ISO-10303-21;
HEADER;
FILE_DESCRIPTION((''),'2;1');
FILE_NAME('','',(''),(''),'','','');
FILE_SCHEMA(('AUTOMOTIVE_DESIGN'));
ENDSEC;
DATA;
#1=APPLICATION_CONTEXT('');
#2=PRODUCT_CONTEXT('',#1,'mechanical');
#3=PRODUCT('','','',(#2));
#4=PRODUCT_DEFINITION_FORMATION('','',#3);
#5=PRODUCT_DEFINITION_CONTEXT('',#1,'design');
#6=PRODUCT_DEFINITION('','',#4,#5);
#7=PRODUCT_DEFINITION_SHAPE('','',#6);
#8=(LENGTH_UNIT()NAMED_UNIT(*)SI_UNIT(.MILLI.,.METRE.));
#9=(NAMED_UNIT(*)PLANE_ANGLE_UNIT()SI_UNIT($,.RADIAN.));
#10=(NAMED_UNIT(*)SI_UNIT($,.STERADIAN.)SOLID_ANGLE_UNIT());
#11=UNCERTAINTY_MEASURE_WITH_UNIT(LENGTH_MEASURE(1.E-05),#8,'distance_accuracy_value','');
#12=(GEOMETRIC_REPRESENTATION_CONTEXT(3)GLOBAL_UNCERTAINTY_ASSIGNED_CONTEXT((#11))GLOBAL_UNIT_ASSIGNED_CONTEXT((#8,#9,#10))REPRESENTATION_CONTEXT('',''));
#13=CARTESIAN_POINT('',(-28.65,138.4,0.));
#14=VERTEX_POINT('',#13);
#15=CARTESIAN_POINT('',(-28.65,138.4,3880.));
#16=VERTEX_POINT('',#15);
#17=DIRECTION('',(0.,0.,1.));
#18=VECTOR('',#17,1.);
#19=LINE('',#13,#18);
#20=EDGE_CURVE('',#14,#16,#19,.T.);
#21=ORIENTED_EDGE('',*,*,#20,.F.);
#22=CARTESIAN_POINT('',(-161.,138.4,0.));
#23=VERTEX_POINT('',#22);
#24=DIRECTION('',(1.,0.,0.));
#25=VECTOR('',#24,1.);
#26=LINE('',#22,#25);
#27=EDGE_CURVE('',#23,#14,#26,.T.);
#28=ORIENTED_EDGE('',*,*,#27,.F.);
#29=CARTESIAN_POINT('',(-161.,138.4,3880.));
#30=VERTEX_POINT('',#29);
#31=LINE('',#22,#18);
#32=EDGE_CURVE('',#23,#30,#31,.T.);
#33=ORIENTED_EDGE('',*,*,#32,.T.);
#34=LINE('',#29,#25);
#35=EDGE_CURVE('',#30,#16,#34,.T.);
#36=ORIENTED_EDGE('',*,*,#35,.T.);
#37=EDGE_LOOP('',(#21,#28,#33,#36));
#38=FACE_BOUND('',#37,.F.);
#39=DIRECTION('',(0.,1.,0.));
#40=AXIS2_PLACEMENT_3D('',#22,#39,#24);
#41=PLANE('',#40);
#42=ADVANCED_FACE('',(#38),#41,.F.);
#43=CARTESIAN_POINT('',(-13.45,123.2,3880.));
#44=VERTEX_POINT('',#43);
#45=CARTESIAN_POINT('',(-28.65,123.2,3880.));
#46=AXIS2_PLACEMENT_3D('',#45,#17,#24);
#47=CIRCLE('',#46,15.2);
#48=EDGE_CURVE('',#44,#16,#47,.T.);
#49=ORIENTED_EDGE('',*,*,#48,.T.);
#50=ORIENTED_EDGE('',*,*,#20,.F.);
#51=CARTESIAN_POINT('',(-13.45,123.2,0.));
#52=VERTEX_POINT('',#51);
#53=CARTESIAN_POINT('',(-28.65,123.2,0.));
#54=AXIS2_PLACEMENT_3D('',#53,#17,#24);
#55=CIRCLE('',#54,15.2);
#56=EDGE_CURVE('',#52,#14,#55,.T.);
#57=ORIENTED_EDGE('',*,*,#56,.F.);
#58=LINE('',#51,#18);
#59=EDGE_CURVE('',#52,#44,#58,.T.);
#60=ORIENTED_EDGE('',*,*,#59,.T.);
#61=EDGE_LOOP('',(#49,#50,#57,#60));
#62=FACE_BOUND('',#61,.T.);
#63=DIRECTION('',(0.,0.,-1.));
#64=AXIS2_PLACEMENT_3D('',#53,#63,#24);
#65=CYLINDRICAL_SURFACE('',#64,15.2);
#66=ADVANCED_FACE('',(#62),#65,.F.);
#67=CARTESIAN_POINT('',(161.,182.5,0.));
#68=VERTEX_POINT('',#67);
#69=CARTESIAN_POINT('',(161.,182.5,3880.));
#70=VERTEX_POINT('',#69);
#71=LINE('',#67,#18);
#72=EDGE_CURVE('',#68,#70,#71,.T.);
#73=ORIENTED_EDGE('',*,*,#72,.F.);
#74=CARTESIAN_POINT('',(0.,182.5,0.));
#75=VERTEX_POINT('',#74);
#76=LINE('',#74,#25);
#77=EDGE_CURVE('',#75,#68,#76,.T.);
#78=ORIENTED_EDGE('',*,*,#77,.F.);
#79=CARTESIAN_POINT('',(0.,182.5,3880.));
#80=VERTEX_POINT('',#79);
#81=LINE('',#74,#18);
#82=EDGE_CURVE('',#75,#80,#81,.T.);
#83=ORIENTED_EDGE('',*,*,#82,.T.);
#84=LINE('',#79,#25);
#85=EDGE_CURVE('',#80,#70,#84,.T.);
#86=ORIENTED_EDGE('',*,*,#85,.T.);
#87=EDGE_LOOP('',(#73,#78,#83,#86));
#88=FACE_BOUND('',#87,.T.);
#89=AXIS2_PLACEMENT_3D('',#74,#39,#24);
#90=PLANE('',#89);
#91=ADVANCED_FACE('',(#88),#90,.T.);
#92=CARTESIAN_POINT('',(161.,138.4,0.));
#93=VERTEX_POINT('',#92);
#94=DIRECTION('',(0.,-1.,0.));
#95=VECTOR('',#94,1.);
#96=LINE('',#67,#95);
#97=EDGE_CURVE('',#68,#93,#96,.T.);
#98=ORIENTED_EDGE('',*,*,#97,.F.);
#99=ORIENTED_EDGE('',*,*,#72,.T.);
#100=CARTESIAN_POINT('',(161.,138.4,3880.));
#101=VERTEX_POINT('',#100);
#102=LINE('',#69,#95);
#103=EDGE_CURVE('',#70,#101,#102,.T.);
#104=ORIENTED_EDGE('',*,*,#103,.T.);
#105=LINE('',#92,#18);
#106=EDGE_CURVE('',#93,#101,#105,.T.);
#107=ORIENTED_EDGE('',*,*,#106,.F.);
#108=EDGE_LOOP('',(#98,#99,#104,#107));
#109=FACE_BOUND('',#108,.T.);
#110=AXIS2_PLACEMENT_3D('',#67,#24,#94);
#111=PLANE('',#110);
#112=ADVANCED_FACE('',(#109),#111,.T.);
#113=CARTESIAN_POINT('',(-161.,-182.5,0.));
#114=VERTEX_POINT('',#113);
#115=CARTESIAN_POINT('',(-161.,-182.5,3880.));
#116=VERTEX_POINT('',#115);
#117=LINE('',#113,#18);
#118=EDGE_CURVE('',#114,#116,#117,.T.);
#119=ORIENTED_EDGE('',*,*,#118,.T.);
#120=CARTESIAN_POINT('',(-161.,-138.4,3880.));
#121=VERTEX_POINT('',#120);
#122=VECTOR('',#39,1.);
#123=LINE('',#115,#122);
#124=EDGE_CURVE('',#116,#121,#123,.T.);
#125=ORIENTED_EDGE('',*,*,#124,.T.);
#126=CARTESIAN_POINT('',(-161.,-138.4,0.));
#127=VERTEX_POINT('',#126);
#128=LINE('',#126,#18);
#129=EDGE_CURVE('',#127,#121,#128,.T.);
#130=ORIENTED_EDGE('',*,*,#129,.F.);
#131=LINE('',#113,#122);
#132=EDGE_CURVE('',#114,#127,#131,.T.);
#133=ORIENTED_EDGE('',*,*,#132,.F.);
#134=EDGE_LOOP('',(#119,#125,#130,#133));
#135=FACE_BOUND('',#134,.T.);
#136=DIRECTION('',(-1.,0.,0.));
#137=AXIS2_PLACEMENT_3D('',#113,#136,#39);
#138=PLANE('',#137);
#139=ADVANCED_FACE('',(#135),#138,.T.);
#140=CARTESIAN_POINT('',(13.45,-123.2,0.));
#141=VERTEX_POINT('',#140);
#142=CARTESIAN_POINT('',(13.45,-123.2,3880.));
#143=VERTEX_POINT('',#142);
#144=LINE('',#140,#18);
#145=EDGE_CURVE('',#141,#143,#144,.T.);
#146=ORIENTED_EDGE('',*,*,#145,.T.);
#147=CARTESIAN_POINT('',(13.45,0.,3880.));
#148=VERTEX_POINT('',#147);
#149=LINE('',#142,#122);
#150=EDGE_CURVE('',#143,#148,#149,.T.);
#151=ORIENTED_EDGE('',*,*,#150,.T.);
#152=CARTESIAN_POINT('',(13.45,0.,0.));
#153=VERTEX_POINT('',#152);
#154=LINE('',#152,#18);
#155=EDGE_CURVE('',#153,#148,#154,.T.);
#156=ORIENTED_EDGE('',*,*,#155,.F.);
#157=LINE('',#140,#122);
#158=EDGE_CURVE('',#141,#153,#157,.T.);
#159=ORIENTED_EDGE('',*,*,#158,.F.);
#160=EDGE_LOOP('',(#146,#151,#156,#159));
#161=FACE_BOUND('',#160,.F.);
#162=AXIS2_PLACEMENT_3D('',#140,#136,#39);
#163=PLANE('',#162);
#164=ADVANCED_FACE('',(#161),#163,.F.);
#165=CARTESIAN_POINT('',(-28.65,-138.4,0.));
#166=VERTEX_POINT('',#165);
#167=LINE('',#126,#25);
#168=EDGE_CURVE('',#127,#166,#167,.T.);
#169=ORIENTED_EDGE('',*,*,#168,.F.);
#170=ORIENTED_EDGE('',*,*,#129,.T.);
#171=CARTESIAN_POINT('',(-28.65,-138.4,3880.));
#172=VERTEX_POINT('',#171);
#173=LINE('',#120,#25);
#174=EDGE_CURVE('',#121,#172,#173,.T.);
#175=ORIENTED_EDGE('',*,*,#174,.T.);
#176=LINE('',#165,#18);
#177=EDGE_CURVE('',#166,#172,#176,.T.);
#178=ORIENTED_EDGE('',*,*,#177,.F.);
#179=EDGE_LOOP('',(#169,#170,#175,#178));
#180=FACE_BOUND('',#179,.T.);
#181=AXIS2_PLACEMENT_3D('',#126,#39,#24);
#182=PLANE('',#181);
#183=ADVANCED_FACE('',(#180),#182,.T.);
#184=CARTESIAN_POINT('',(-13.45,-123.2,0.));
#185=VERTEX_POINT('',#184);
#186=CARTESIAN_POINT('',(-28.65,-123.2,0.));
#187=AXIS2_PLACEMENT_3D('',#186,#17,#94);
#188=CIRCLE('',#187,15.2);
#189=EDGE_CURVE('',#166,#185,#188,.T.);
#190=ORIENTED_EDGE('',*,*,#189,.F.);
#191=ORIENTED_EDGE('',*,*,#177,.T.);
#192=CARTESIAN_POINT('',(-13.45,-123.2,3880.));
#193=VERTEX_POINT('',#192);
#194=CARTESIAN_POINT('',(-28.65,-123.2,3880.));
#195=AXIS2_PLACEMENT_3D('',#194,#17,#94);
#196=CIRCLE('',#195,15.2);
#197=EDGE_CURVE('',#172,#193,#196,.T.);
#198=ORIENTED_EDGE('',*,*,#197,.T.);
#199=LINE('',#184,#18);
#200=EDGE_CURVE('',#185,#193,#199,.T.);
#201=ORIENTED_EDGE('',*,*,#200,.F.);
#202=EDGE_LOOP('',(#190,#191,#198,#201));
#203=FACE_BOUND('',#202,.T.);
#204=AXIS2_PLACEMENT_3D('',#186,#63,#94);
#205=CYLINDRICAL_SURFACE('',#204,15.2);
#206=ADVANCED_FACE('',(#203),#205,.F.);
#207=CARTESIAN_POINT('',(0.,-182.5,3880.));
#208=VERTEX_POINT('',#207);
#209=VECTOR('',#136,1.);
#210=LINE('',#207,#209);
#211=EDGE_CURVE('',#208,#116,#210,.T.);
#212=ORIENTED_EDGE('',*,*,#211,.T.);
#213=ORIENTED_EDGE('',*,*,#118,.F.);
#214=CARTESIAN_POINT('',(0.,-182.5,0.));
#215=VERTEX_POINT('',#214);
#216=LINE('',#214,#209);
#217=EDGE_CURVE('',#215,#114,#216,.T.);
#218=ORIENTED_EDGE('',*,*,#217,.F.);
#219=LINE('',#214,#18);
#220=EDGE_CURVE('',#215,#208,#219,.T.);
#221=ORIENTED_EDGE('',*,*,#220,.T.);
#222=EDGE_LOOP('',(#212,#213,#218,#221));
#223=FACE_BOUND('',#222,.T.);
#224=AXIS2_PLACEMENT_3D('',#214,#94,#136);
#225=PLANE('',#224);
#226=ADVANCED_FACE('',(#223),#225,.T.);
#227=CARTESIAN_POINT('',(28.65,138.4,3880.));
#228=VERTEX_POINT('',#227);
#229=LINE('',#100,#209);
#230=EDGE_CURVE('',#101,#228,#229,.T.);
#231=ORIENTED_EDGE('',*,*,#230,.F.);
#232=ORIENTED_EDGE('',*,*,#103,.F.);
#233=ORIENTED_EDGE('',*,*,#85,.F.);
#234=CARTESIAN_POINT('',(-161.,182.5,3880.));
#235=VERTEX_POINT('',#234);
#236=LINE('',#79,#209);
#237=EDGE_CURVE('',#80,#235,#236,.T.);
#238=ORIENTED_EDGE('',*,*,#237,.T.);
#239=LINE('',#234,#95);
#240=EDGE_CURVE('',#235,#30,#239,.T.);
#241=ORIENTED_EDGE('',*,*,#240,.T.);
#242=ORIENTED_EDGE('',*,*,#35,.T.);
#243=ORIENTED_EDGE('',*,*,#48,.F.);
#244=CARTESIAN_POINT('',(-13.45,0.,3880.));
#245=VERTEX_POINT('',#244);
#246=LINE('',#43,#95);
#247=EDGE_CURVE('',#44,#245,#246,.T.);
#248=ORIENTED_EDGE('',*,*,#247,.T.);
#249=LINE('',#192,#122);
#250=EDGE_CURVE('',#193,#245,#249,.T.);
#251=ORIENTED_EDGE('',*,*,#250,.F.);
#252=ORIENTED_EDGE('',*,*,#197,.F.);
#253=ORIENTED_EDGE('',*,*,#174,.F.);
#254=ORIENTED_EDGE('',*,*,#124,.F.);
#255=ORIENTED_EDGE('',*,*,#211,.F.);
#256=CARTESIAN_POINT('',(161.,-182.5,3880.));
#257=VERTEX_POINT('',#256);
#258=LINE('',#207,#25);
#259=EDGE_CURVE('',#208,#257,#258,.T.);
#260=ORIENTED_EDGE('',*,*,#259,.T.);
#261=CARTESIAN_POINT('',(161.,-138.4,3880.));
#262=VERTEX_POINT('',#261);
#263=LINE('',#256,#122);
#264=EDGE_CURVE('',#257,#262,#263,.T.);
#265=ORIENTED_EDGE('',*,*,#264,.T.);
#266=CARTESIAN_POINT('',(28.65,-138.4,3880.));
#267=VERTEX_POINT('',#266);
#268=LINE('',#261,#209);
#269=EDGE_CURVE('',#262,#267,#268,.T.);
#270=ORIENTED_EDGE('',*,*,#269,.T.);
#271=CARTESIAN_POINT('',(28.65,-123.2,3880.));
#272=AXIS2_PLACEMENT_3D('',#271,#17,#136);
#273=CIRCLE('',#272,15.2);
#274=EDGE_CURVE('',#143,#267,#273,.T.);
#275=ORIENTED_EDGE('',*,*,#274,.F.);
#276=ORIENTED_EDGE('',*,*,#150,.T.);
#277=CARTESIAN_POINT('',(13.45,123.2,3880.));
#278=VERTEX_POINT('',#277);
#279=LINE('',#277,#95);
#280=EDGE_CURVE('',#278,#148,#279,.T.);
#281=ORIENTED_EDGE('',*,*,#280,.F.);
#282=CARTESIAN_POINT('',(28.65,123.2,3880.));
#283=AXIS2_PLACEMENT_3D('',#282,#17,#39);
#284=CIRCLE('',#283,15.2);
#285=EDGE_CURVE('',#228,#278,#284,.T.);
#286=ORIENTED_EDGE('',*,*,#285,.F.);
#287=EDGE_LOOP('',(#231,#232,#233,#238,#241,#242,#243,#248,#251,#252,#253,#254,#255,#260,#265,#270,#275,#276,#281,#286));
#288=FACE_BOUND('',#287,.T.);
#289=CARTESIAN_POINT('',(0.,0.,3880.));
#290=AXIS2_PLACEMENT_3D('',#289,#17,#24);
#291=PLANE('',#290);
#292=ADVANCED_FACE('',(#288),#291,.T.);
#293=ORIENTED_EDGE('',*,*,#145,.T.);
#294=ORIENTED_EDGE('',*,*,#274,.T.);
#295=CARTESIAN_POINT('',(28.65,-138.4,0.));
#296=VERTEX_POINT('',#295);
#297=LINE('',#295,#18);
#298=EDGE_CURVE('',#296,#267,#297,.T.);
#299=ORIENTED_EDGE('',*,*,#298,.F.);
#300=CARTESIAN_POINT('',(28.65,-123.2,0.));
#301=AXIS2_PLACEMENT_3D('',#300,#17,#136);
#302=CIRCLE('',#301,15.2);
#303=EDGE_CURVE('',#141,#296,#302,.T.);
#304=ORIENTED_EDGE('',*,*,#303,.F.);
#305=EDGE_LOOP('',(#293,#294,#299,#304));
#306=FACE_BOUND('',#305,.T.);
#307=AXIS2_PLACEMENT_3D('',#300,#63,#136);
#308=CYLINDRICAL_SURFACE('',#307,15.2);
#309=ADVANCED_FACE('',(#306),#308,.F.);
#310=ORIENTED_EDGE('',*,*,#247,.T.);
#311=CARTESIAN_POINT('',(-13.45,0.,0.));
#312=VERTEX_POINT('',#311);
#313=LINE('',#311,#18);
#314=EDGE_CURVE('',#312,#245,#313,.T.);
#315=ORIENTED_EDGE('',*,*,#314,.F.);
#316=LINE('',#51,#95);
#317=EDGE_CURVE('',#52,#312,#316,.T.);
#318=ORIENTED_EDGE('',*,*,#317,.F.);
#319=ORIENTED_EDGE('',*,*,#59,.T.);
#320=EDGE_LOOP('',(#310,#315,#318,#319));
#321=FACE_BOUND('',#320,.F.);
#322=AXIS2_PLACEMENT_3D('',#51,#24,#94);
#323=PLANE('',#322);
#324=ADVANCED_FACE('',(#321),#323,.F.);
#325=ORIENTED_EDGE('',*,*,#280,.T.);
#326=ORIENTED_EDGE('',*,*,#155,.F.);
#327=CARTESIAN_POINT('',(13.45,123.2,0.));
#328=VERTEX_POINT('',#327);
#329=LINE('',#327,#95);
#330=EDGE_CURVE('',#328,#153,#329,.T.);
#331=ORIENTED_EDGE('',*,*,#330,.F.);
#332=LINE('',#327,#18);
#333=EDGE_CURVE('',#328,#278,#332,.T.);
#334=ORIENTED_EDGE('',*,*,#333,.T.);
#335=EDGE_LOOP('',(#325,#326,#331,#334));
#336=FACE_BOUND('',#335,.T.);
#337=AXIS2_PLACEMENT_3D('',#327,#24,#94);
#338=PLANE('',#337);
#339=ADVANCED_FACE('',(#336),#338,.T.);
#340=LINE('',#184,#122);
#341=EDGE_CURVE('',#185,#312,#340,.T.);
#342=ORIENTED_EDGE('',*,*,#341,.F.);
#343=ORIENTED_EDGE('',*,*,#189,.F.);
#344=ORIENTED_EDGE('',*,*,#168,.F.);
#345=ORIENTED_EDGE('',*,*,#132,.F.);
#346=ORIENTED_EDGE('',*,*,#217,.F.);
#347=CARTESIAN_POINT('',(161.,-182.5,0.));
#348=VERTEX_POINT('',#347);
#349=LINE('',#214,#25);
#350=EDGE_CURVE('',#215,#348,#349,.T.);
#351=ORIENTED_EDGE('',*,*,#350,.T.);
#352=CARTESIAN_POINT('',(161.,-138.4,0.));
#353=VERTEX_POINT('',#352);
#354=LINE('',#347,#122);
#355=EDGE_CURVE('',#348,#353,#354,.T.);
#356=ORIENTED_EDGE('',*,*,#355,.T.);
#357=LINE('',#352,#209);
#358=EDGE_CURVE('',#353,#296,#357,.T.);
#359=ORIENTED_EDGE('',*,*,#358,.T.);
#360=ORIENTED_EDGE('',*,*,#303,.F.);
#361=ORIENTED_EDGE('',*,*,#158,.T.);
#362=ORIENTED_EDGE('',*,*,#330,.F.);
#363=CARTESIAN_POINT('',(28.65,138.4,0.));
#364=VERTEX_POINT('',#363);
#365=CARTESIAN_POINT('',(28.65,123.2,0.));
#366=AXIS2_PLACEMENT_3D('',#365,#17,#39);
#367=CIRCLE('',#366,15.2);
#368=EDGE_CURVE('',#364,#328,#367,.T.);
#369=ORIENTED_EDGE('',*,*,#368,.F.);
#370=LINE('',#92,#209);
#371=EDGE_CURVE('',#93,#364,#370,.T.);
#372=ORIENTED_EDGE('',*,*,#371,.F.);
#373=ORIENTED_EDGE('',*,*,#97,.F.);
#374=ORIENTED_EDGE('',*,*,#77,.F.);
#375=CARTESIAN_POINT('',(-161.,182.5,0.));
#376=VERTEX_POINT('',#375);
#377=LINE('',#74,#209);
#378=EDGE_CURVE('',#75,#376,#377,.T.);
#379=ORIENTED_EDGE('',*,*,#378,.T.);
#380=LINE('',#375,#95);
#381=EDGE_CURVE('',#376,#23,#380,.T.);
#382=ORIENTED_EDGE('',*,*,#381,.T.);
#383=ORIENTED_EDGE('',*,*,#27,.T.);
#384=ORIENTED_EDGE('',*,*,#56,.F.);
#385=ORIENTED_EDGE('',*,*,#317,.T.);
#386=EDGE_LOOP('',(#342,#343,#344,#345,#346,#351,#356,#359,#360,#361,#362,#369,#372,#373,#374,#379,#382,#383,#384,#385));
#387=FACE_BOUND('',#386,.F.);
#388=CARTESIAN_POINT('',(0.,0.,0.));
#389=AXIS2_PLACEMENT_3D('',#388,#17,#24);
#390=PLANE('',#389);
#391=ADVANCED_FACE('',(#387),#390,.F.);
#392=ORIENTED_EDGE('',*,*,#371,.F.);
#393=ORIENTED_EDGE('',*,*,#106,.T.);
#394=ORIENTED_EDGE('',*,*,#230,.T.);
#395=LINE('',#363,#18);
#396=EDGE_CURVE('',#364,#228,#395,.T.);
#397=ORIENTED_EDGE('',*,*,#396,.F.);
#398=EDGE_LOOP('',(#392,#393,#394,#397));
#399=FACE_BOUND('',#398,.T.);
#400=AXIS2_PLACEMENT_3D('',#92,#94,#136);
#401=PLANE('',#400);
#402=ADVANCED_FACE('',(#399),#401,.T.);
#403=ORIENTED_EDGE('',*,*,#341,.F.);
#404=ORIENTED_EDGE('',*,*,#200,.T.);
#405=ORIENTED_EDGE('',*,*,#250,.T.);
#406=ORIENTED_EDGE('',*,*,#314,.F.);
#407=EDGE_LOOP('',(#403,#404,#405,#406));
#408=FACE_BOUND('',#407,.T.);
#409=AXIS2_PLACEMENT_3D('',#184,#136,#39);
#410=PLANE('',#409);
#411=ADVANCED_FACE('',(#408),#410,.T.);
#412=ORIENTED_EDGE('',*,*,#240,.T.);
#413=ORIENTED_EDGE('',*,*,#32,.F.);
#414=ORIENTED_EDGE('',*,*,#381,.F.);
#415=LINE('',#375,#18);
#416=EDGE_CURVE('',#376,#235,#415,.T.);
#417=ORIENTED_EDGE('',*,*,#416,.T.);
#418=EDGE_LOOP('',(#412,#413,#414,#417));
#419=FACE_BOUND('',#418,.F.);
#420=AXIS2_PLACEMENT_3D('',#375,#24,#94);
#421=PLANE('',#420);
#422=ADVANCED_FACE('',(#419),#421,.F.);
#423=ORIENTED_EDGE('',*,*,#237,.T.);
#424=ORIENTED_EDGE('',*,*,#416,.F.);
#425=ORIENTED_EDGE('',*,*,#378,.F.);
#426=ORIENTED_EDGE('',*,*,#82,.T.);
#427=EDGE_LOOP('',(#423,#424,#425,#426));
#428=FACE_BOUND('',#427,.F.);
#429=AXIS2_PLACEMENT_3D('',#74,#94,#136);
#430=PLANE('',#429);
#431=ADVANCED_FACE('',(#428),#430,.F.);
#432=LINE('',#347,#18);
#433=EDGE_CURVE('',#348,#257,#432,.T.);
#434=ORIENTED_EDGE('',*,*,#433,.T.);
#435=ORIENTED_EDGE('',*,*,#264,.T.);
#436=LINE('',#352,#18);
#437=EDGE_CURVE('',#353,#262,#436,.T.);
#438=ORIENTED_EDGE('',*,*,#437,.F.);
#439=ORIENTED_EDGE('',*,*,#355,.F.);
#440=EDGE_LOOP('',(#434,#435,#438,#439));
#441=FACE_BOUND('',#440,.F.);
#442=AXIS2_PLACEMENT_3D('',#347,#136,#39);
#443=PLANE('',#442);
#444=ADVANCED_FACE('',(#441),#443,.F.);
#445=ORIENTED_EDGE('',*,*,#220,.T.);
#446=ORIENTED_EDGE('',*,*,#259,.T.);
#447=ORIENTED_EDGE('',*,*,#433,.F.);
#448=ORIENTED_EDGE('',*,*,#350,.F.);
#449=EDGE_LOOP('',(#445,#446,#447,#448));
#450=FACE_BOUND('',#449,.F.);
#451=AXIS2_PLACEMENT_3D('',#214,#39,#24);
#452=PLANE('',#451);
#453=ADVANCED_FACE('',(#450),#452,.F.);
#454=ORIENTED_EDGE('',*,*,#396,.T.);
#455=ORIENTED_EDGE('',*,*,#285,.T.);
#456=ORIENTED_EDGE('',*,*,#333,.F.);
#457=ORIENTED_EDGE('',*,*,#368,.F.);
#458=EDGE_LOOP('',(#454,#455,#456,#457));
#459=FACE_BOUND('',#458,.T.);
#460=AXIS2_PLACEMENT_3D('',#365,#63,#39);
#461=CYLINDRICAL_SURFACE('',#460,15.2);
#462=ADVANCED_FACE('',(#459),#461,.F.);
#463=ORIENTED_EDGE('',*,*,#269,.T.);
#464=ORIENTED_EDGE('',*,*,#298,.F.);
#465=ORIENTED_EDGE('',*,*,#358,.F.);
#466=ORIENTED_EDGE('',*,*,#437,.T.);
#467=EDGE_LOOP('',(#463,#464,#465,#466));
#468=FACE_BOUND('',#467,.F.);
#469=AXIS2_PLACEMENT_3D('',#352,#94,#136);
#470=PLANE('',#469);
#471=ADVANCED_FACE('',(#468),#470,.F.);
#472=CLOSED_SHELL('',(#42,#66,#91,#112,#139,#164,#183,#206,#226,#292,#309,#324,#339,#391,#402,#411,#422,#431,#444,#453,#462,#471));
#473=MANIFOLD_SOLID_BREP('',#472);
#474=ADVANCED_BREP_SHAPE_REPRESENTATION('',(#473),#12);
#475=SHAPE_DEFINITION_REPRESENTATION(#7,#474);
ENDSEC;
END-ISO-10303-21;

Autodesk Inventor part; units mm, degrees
ref_plane "YZ Plane" through (0, 0, 0) normal (1, 0, 0) x (0, 1, 0)
ref_plane "Start plane" through (0, 0, 0) normal (0, 0, 1) x (1, 0, 0)
ref_plane "End plane" through (0, 0, 3880) normal (0, 0, 1) x (1, 0, 0)
sketch "Sketch" plane through (0, 0, 0) normal (0, 0, 1) x (1, 0, 0)
  line L0 (-161, -182.5) -> (-161, -138.4)
  line L1 (-161, -138.4) -> (-28.65, -138.4)
  line L2 (-13.45, -123.2) -> (-13.45, 0)
  line L3 (-13.45, 0) -> (0, 0) construction
  line L4 (0, 0) -> (0, -182.5) construction
  line L5 (0, -182.5) -> (-161, -182.5)
  line L6 (-60, 0) -> (80, 0) construction
  line L7 (0, -60) -> (0, 80) construction
  line L8 (161, -182.5) -> (161, -138.4)
  line L9 (161, -138.4) -> (28.65, -138.4)
  line L10 (13.45, -123.2) -> (13.45, 0)
  line L11 (13.45, 0) -> (0, 0) construction
  line L12 (0, -182.5) -> (161, -182.5)
  line L13 (-161, 182.5) -> (-161, 138.4)
  line L14 (-161, 138.4) -> (-28.65, 138.4)
  line L15 (-13.45, 123.2) -> (-13.45, 0)
  line L16 (0, 182.5) -> (-161, 182.5)
  line L17 (161, 182.5) -> (161, 138.4)
  line L18 (161, 138.4) -> (28.65, 138.4)
  line L19 (0, 182.5) -> (161, 182.5)
  line L20 (13.45, 123.2) -> (13.45, 0)
  arc A0 (-13.45, 123.2) -> (-28.65, 138.4) centre (-28.65, 123.2) ccw
  arc A1 (28.65, 138.4) -> (13.45, 123.2) centre (28.65, 123.2) ccw
  arc A2 (13.45, -123.2) -> (28.65, -138.4) centre (28.65, -123.2) ccw
  arc A3 (-28.65, -138.4) -> (-13.45, -123.2) centre (-28.65, -123.2) ccw
  line L21 (0, 108) -> (0, -88) construction
  line L22 (-88, 0) -> (108, 0) construction
  point P0 (-13.45, -138.4)
  point P1 (13.45, -138.4)
  point P2 (-13.45, 138.4)
  point P3 (13.45, 138.4)
  dimension "d1" = 182.5
  dimension "d2" = 44.1
  dimension "d3" = 161
  dimension "d4" = 13.45
  dimension "d10" = 15.2
extrude "Body" add sketch "Sketch" along normal up to surface (3880 mm away) from surface at 0
sketch "Sketch4" plane through (0, 0, 0) normal (0, 0, 1) x (1, 0, 0)
  line L0 (0, 0) -> (10, 0)
ref_plane "Work Plane3" through (0, 0, 0) normal (0, -1, 0) x (1, 0, 0)
sketch "Sketch5" plane through (0, 0, 0) normal (0, -1, 0) x (1, 0, 0)
  line L0 (-2, 0) -> (12, 0) projected
  line L1 (-2, 3880) -> (12, 3880) projected
  dimension "d14" = 3880
equation "\"d1\" = 0.5 * G_H"
equation "\"d2\" = G_T1"
equation "\"d3\" = 0.5 * G_W"
equation "\"d4\" = 0.5 * G_T"
equation "\"d10\" = G_IR"
equation "\"d5\" = G_L"
equation "\"G_W\" = 322"
equation "\"G_H\" = 365"
equation "\"G_T\" = 26.9"
equation "\"G_T1\" = 44.1"
equation "\"G_IR\" = 15.2"
equation "\"G_L\" = d14"
equation "\"G_OFFSET_START\" = 0"
equation "\"G_OFFSET_END\" = 0"
properties part number "AS 3679 - 310 UC - 283 - 3880" material "Steel, Mild"
